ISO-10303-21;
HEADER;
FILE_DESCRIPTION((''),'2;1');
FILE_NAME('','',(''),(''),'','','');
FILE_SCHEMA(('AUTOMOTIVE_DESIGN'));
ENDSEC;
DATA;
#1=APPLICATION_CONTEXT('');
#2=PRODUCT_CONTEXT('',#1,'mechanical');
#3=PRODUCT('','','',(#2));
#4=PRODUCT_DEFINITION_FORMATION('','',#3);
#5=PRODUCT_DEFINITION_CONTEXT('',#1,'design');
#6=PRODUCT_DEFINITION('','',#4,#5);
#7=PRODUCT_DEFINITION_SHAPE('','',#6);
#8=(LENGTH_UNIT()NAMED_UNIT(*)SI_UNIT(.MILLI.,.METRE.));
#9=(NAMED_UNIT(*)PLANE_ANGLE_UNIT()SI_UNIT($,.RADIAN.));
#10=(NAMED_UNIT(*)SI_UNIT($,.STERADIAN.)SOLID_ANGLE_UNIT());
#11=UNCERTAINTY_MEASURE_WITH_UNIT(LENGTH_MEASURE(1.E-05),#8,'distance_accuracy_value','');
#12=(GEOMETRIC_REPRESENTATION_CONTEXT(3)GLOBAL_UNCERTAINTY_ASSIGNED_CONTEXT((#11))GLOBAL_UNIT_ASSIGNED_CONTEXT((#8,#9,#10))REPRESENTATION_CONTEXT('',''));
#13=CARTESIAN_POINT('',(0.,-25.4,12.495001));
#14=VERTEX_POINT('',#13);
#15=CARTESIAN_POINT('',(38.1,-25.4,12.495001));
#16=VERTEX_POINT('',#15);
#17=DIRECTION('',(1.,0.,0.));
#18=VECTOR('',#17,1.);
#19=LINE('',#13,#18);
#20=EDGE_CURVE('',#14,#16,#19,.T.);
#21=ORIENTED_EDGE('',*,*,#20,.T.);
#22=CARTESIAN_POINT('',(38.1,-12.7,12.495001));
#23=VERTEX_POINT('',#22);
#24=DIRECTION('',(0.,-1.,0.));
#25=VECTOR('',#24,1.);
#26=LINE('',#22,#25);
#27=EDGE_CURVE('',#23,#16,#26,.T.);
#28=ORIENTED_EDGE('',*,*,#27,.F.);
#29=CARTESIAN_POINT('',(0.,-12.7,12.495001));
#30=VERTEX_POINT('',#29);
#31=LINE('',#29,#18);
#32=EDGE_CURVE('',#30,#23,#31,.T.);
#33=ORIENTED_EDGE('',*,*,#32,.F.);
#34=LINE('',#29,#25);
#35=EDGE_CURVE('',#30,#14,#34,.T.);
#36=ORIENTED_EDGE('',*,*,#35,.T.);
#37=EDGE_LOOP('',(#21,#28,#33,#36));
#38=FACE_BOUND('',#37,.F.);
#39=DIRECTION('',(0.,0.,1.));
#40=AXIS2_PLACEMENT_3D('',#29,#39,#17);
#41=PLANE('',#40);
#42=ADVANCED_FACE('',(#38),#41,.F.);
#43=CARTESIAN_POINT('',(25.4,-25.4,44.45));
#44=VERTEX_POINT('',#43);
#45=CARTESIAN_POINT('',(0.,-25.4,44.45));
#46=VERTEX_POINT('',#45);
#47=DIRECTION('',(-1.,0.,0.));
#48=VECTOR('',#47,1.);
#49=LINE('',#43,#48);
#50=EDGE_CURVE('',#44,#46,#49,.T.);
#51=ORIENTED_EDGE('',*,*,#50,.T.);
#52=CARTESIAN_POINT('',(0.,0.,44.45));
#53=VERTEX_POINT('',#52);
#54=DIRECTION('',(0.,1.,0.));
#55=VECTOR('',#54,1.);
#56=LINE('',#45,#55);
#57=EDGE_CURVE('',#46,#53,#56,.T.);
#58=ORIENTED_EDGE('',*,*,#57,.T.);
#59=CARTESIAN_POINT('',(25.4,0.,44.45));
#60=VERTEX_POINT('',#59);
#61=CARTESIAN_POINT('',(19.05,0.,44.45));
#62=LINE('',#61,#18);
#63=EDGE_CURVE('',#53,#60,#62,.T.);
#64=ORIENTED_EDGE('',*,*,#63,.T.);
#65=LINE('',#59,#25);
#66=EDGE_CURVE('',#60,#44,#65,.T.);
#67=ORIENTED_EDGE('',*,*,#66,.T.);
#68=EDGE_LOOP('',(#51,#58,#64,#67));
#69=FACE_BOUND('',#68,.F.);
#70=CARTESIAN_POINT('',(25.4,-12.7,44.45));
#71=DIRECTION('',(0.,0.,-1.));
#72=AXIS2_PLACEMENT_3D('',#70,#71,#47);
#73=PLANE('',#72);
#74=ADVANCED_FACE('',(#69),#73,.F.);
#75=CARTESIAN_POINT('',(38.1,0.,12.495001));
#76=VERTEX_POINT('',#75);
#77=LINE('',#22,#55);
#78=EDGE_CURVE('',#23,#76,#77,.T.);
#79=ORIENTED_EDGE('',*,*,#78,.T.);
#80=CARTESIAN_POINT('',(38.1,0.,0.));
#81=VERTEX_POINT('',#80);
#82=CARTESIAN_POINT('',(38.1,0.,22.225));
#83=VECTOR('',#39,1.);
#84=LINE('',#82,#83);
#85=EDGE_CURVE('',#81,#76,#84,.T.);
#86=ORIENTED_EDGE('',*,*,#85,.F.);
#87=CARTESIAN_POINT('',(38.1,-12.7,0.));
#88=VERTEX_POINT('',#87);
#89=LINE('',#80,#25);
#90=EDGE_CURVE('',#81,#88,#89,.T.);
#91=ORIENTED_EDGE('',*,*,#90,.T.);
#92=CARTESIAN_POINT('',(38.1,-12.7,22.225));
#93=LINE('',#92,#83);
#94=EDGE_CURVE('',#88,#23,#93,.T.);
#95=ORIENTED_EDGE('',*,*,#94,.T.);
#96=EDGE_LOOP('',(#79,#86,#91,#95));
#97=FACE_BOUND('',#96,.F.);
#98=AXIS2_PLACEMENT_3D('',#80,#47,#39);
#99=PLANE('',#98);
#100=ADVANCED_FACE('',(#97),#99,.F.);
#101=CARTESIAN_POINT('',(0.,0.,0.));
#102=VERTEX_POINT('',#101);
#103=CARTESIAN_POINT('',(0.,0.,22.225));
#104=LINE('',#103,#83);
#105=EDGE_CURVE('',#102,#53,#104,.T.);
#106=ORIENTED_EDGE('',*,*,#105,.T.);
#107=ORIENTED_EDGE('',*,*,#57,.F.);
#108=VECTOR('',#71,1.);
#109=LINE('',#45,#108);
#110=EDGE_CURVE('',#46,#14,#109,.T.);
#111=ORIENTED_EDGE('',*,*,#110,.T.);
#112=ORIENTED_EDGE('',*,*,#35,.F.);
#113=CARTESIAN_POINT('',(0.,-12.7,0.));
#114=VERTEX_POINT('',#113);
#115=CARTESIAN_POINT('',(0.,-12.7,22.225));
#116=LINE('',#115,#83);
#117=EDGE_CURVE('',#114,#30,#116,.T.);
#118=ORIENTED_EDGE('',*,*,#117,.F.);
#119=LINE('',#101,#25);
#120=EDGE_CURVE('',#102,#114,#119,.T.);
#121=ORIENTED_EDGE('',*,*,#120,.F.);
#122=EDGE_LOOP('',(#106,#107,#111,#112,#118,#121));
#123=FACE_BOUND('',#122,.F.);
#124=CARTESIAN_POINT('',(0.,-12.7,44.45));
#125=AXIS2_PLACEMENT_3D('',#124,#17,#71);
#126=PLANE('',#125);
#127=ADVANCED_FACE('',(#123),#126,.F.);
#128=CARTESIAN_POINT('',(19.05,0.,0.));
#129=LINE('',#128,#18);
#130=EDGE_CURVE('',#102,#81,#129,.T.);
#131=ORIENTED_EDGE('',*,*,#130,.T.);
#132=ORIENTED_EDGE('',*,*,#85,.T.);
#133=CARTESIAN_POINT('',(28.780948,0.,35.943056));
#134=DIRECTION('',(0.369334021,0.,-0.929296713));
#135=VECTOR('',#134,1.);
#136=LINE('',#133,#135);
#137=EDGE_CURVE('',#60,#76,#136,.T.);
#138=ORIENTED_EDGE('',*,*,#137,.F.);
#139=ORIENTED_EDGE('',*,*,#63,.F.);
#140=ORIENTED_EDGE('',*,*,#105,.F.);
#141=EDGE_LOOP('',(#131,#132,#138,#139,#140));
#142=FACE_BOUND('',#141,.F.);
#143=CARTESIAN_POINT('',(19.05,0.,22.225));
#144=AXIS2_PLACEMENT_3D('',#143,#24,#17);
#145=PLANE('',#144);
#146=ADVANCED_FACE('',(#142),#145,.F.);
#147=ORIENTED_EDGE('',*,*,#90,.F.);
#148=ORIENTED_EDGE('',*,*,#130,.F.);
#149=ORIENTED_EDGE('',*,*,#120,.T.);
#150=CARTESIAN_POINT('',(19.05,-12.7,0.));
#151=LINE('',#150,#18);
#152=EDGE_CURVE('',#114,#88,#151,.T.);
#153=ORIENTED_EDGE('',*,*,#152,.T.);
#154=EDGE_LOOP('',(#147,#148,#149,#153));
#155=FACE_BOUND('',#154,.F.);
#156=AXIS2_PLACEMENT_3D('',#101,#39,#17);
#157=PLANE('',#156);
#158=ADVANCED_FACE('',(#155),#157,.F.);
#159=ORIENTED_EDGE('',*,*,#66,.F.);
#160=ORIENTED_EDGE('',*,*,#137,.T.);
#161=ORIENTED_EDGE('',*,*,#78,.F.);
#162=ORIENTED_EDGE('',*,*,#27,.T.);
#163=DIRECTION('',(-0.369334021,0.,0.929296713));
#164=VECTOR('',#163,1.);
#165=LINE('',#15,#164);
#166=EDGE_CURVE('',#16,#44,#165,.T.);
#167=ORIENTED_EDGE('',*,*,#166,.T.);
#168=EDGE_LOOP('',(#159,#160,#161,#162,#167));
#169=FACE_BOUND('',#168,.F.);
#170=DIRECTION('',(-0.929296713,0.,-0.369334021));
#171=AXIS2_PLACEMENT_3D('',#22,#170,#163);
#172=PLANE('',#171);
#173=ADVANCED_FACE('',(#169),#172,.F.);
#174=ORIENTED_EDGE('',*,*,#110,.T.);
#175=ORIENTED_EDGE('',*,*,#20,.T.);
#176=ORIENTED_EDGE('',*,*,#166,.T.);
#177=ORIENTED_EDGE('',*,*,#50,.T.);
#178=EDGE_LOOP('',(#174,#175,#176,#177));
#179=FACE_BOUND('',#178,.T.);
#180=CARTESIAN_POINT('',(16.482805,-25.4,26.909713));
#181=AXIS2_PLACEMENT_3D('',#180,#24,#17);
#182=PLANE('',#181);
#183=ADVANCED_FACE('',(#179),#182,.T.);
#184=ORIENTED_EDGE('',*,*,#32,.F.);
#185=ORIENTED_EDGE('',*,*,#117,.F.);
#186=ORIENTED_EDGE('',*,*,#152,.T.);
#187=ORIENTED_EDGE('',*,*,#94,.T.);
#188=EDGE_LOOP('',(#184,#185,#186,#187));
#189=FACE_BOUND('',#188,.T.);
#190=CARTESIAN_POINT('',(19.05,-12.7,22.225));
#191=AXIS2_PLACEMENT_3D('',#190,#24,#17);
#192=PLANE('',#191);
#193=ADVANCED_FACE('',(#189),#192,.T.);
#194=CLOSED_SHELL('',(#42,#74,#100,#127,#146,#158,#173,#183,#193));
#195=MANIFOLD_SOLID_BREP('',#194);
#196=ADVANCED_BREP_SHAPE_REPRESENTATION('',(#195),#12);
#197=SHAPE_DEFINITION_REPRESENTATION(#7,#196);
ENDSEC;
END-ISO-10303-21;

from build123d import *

# Parameters (mm, degrees)
F0_W     = 38.1
F0_H     = 44.45
F1_DEPTH = 12.7
F3_DEPTH = 25.4
F5_DEPTH = 12.7


with BuildPart() as f1:
    # F0 (on Front) → F1 (new body)
    with BuildSketch(Plane.XZ):
        with Locations((19.05, 22.225)):
            Rectangle(F0_W, F0_H)
    extrude(amount=F1_DEPTH)

    # F2 (on face) → F3 (cut)
    with BuildSketch(Plane.XZ.offset(12.7)):
        Polygon((38.1, 44.45), (25.4, 44.45), (38.1, 12.495001), align=None)
    extrude(amount=-F3_DEPTH, mode=Mode.SUBTRACT)

    # F4 (on face) → F5 (join)
    with BuildSketch(Plane.XZ.offset(12.7)):
        Polygon((0, 12.495001), (38.1, 12.495001), (25.4, 44.45), (0, 44.45), align=None)
    extrude(amount=F5_DEPTH)


solid = f1.part
